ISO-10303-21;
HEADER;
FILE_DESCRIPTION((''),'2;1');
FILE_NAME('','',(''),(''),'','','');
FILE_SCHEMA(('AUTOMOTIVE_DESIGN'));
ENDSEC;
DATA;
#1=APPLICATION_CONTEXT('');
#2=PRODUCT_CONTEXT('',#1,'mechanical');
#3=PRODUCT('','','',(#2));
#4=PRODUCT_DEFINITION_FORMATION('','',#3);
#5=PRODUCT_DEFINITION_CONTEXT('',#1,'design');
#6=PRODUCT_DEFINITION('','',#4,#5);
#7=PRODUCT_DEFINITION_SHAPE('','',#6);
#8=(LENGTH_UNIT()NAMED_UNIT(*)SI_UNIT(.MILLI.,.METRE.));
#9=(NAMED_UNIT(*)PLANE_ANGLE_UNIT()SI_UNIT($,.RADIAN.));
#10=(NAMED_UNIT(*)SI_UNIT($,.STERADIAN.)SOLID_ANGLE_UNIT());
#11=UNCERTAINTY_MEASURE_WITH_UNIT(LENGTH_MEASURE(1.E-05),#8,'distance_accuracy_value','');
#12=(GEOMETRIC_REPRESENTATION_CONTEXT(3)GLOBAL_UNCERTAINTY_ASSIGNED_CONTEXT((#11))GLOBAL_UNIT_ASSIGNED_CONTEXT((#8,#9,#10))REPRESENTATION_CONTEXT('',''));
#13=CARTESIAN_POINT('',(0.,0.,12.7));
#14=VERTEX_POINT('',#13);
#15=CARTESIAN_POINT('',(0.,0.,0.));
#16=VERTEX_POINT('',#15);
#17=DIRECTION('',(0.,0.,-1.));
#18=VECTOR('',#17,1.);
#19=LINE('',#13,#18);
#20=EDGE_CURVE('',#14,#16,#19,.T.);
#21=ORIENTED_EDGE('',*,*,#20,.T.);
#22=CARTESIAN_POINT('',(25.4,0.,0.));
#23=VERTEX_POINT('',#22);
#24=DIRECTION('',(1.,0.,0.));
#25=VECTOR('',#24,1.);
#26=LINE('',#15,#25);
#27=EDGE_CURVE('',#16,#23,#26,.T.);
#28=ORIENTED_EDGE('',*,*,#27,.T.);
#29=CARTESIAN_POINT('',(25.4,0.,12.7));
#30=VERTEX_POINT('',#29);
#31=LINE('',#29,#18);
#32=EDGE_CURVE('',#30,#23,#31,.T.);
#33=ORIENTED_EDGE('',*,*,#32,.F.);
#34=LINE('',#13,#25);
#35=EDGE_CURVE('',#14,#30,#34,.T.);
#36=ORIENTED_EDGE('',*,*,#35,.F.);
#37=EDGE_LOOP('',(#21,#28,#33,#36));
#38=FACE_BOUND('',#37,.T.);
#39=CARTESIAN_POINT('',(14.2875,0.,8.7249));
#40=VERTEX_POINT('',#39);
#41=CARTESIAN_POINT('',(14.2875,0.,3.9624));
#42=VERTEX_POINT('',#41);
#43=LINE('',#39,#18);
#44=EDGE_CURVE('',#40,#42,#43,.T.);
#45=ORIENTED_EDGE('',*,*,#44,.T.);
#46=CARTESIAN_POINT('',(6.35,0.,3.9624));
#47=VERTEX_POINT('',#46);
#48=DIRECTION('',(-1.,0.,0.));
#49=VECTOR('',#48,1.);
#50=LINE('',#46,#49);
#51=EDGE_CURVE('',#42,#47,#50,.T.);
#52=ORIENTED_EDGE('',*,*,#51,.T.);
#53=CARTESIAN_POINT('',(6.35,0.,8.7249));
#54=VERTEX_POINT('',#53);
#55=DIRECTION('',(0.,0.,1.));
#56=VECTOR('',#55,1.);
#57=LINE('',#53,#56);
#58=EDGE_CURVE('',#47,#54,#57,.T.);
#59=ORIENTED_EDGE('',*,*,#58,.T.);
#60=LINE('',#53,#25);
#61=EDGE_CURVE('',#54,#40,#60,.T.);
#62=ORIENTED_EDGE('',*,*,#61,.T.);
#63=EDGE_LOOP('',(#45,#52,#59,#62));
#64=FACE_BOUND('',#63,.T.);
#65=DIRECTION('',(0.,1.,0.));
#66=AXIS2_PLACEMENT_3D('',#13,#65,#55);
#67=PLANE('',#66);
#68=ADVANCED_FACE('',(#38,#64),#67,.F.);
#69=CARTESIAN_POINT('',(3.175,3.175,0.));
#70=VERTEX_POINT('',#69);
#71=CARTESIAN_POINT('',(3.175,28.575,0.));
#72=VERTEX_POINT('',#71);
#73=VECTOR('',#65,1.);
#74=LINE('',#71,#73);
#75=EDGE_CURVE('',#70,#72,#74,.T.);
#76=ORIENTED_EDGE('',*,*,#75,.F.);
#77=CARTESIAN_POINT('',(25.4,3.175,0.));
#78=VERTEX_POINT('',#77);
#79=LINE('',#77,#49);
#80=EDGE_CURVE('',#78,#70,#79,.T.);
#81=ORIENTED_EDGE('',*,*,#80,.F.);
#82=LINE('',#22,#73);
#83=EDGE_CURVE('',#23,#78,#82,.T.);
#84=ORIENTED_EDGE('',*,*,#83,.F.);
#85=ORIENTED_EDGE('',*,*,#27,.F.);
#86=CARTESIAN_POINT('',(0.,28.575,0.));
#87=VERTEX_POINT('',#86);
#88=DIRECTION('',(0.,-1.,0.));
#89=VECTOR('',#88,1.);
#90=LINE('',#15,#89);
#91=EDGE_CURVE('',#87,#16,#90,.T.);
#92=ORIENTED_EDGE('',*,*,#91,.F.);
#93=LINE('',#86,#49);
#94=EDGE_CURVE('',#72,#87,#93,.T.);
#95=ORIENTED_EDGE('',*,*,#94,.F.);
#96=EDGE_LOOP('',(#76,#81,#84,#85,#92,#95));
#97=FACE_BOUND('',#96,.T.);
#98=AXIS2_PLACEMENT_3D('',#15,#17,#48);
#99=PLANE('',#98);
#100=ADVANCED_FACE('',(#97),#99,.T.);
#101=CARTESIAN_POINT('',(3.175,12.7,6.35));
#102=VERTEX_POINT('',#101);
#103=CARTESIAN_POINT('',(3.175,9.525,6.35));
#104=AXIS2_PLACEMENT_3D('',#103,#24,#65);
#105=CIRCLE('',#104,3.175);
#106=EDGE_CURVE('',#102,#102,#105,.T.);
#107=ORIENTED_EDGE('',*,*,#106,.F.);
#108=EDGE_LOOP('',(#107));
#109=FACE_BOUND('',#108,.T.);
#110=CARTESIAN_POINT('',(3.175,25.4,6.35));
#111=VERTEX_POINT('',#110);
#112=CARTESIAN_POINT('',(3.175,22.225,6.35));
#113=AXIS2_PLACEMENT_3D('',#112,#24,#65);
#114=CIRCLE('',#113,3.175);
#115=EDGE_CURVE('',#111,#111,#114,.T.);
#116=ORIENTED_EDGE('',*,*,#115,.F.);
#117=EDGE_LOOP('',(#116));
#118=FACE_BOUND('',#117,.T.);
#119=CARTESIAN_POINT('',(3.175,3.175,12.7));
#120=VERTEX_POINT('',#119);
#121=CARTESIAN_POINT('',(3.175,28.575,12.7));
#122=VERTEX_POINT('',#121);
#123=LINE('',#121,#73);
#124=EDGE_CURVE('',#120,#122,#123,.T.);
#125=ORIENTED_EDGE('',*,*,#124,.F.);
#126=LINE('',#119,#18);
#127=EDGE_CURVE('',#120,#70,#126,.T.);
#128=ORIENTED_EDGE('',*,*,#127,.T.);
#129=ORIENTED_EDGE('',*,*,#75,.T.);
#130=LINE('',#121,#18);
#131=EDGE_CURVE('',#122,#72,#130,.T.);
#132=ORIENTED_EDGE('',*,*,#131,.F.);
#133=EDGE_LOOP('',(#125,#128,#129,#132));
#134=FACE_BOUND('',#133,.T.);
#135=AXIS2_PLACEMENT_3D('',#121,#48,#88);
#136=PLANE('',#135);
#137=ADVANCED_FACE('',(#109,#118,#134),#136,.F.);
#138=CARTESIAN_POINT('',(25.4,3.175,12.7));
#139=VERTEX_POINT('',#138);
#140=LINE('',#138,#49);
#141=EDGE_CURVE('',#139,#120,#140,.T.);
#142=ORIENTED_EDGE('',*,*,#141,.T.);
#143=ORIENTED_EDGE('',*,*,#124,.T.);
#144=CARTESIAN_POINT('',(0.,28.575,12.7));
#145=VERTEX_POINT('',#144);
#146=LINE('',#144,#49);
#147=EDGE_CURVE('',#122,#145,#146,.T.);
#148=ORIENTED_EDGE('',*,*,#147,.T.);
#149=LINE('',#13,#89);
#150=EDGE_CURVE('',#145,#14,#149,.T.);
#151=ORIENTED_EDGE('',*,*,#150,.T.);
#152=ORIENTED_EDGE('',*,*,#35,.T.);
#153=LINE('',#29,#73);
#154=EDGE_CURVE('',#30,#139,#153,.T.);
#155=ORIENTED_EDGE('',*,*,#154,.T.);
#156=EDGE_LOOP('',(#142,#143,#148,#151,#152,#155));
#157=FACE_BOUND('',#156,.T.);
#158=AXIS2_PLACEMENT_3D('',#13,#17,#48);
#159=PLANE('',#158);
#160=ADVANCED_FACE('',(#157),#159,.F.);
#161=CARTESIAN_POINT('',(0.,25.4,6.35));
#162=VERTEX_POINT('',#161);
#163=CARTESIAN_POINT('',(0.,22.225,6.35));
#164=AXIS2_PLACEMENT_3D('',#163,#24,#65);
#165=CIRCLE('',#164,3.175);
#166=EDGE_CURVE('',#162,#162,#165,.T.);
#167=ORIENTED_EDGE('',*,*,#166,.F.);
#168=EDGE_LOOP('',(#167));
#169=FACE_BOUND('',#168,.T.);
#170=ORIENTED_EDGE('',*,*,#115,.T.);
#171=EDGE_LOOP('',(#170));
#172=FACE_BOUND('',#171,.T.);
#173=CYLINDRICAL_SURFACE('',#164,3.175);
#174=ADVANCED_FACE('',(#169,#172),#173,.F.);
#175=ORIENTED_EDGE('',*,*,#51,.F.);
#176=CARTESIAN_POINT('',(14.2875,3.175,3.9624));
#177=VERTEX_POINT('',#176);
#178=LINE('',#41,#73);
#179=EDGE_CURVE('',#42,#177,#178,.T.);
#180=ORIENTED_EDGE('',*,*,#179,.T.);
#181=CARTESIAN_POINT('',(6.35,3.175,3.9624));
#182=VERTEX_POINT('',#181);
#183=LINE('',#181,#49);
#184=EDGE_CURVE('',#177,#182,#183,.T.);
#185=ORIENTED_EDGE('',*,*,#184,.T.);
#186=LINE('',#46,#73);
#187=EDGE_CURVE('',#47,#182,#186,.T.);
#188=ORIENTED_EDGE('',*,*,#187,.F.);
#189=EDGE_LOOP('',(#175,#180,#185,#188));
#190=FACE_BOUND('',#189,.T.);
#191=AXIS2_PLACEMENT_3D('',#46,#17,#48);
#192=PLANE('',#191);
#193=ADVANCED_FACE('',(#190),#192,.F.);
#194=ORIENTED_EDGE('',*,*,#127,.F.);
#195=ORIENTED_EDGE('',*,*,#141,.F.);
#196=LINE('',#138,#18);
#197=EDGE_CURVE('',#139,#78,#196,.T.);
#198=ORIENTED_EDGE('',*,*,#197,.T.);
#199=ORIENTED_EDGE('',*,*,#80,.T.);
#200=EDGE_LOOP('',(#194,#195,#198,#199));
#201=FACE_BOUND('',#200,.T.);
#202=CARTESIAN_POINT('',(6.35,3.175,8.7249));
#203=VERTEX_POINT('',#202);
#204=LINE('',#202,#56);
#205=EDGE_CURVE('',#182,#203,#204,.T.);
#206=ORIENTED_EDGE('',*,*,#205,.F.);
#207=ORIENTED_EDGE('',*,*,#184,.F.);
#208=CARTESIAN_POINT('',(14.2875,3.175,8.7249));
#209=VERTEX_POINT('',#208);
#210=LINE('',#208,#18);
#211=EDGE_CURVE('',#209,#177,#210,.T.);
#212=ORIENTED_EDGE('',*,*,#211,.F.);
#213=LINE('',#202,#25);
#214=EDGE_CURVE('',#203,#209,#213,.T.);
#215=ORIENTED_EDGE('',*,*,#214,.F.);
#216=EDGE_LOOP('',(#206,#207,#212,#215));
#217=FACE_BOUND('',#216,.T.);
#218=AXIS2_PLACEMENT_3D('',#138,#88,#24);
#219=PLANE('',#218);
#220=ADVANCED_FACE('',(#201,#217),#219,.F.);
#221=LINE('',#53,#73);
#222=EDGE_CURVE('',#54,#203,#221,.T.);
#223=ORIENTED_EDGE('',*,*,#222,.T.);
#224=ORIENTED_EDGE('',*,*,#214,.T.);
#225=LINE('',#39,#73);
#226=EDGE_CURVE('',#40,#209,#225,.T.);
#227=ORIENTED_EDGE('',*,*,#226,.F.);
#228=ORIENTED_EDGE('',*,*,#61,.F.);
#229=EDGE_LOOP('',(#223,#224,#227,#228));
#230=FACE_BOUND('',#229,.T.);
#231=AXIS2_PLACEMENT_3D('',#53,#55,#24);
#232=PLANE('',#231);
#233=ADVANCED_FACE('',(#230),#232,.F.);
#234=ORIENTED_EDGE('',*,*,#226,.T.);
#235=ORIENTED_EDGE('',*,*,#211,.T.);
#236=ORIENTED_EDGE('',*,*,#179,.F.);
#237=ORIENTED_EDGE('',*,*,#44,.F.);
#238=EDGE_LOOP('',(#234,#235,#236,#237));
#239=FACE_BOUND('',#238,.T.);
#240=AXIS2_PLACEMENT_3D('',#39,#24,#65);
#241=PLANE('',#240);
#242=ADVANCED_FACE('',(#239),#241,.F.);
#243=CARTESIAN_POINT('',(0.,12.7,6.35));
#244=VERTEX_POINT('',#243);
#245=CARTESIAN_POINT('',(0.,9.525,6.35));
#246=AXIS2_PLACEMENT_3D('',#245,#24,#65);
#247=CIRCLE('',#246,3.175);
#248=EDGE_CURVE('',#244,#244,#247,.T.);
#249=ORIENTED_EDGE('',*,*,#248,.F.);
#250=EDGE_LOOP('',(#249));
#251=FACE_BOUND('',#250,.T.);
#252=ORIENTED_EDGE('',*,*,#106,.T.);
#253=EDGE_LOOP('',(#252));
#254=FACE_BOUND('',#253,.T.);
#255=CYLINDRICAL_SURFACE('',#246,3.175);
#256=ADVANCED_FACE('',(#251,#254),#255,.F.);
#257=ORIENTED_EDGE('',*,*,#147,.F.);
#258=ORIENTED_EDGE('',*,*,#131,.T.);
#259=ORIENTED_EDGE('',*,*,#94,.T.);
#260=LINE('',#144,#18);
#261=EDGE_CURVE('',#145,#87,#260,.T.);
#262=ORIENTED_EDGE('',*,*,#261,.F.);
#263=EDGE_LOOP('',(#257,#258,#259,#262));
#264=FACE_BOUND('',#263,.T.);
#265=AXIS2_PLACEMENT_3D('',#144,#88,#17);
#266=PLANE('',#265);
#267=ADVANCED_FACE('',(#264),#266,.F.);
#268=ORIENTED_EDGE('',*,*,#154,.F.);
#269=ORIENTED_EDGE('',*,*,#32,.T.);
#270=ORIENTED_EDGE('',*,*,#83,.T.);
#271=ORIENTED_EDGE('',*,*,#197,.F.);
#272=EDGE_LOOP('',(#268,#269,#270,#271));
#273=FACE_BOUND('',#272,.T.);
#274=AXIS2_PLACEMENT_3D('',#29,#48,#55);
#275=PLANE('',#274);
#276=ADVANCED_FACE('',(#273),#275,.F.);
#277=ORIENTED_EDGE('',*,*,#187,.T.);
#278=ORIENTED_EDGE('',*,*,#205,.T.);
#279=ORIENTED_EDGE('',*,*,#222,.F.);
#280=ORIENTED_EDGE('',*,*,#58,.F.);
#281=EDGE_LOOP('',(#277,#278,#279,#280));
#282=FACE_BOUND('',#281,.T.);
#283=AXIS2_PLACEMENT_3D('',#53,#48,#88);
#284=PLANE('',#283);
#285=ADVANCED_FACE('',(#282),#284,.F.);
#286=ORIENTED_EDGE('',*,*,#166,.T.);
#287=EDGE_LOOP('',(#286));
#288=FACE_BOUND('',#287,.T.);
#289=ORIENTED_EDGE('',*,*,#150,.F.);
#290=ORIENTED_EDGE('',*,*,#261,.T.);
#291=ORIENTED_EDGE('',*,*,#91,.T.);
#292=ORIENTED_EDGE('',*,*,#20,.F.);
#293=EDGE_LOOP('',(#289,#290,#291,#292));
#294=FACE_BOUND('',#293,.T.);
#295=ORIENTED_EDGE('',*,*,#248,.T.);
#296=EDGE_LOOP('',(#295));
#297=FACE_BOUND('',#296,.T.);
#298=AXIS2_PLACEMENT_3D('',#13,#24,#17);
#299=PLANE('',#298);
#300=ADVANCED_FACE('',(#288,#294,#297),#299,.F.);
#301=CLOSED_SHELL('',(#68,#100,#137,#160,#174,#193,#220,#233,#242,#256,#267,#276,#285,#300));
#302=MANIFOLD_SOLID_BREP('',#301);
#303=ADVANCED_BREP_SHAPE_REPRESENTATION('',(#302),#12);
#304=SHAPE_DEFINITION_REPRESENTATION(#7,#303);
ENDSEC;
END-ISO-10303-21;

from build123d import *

# Parameters (mm, degrees)
BOSS_EXTRUDE1_DEPTH = 12.7
SKETCH2_R           = 3.175
CUT_EXTRUDE1_DEPTH  = 4.175
SKETCH4_W           = 7.9375
SKETCH4_H           = 4.7625
CUT_EXTRUDE2_DEPTH  = 4.175


with BuildPart() as part:
    # Sketch1 → Boss-Extrude1 (new body)
    with BuildSketch(Plane.XY):
        Polygon((0, 0), (25.4, 0), (25.4, 3.175), (3.175, 3.175), (3.175, 28.575), (0, 28.575), align=None)
    extrude(amount=BOSS_EXTRUDE1_DEPTH)

    # Sketch2 → Cut-Extrude1 (cut, through all)
    with BuildSketch(Plane(origin=(3.175, 0, 0), x_dir=(0, 0, -1), z_dir=(1, 0, 0))):
        with Locations((-6.35, 22.225)):
            Circle(SKETCH2_R)
        with Locations((-6.35, 9.525)):
            Circle(SKETCH2_R)
    extrude(amount=-CUT_EXTRUDE1_DEPTH, mode=Mode.SUBTRACT)

    # Sketch4 → Cut-Extrude2 (cut, through all)
    with BuildSketch(Plane(origin=(0, 3.175, 0), x_dir=(1, 0, 0), z_dir=(0, 1, 0))):
        with Locations((10.31875, -6.34365)):
            Rectangle(SKETCH4_W, SKETCH4_H)
    extrude(amount=-CUT_EXTRUDE2_DEPTH, mode=Mode.SUBTRACT)


solid = part.part
